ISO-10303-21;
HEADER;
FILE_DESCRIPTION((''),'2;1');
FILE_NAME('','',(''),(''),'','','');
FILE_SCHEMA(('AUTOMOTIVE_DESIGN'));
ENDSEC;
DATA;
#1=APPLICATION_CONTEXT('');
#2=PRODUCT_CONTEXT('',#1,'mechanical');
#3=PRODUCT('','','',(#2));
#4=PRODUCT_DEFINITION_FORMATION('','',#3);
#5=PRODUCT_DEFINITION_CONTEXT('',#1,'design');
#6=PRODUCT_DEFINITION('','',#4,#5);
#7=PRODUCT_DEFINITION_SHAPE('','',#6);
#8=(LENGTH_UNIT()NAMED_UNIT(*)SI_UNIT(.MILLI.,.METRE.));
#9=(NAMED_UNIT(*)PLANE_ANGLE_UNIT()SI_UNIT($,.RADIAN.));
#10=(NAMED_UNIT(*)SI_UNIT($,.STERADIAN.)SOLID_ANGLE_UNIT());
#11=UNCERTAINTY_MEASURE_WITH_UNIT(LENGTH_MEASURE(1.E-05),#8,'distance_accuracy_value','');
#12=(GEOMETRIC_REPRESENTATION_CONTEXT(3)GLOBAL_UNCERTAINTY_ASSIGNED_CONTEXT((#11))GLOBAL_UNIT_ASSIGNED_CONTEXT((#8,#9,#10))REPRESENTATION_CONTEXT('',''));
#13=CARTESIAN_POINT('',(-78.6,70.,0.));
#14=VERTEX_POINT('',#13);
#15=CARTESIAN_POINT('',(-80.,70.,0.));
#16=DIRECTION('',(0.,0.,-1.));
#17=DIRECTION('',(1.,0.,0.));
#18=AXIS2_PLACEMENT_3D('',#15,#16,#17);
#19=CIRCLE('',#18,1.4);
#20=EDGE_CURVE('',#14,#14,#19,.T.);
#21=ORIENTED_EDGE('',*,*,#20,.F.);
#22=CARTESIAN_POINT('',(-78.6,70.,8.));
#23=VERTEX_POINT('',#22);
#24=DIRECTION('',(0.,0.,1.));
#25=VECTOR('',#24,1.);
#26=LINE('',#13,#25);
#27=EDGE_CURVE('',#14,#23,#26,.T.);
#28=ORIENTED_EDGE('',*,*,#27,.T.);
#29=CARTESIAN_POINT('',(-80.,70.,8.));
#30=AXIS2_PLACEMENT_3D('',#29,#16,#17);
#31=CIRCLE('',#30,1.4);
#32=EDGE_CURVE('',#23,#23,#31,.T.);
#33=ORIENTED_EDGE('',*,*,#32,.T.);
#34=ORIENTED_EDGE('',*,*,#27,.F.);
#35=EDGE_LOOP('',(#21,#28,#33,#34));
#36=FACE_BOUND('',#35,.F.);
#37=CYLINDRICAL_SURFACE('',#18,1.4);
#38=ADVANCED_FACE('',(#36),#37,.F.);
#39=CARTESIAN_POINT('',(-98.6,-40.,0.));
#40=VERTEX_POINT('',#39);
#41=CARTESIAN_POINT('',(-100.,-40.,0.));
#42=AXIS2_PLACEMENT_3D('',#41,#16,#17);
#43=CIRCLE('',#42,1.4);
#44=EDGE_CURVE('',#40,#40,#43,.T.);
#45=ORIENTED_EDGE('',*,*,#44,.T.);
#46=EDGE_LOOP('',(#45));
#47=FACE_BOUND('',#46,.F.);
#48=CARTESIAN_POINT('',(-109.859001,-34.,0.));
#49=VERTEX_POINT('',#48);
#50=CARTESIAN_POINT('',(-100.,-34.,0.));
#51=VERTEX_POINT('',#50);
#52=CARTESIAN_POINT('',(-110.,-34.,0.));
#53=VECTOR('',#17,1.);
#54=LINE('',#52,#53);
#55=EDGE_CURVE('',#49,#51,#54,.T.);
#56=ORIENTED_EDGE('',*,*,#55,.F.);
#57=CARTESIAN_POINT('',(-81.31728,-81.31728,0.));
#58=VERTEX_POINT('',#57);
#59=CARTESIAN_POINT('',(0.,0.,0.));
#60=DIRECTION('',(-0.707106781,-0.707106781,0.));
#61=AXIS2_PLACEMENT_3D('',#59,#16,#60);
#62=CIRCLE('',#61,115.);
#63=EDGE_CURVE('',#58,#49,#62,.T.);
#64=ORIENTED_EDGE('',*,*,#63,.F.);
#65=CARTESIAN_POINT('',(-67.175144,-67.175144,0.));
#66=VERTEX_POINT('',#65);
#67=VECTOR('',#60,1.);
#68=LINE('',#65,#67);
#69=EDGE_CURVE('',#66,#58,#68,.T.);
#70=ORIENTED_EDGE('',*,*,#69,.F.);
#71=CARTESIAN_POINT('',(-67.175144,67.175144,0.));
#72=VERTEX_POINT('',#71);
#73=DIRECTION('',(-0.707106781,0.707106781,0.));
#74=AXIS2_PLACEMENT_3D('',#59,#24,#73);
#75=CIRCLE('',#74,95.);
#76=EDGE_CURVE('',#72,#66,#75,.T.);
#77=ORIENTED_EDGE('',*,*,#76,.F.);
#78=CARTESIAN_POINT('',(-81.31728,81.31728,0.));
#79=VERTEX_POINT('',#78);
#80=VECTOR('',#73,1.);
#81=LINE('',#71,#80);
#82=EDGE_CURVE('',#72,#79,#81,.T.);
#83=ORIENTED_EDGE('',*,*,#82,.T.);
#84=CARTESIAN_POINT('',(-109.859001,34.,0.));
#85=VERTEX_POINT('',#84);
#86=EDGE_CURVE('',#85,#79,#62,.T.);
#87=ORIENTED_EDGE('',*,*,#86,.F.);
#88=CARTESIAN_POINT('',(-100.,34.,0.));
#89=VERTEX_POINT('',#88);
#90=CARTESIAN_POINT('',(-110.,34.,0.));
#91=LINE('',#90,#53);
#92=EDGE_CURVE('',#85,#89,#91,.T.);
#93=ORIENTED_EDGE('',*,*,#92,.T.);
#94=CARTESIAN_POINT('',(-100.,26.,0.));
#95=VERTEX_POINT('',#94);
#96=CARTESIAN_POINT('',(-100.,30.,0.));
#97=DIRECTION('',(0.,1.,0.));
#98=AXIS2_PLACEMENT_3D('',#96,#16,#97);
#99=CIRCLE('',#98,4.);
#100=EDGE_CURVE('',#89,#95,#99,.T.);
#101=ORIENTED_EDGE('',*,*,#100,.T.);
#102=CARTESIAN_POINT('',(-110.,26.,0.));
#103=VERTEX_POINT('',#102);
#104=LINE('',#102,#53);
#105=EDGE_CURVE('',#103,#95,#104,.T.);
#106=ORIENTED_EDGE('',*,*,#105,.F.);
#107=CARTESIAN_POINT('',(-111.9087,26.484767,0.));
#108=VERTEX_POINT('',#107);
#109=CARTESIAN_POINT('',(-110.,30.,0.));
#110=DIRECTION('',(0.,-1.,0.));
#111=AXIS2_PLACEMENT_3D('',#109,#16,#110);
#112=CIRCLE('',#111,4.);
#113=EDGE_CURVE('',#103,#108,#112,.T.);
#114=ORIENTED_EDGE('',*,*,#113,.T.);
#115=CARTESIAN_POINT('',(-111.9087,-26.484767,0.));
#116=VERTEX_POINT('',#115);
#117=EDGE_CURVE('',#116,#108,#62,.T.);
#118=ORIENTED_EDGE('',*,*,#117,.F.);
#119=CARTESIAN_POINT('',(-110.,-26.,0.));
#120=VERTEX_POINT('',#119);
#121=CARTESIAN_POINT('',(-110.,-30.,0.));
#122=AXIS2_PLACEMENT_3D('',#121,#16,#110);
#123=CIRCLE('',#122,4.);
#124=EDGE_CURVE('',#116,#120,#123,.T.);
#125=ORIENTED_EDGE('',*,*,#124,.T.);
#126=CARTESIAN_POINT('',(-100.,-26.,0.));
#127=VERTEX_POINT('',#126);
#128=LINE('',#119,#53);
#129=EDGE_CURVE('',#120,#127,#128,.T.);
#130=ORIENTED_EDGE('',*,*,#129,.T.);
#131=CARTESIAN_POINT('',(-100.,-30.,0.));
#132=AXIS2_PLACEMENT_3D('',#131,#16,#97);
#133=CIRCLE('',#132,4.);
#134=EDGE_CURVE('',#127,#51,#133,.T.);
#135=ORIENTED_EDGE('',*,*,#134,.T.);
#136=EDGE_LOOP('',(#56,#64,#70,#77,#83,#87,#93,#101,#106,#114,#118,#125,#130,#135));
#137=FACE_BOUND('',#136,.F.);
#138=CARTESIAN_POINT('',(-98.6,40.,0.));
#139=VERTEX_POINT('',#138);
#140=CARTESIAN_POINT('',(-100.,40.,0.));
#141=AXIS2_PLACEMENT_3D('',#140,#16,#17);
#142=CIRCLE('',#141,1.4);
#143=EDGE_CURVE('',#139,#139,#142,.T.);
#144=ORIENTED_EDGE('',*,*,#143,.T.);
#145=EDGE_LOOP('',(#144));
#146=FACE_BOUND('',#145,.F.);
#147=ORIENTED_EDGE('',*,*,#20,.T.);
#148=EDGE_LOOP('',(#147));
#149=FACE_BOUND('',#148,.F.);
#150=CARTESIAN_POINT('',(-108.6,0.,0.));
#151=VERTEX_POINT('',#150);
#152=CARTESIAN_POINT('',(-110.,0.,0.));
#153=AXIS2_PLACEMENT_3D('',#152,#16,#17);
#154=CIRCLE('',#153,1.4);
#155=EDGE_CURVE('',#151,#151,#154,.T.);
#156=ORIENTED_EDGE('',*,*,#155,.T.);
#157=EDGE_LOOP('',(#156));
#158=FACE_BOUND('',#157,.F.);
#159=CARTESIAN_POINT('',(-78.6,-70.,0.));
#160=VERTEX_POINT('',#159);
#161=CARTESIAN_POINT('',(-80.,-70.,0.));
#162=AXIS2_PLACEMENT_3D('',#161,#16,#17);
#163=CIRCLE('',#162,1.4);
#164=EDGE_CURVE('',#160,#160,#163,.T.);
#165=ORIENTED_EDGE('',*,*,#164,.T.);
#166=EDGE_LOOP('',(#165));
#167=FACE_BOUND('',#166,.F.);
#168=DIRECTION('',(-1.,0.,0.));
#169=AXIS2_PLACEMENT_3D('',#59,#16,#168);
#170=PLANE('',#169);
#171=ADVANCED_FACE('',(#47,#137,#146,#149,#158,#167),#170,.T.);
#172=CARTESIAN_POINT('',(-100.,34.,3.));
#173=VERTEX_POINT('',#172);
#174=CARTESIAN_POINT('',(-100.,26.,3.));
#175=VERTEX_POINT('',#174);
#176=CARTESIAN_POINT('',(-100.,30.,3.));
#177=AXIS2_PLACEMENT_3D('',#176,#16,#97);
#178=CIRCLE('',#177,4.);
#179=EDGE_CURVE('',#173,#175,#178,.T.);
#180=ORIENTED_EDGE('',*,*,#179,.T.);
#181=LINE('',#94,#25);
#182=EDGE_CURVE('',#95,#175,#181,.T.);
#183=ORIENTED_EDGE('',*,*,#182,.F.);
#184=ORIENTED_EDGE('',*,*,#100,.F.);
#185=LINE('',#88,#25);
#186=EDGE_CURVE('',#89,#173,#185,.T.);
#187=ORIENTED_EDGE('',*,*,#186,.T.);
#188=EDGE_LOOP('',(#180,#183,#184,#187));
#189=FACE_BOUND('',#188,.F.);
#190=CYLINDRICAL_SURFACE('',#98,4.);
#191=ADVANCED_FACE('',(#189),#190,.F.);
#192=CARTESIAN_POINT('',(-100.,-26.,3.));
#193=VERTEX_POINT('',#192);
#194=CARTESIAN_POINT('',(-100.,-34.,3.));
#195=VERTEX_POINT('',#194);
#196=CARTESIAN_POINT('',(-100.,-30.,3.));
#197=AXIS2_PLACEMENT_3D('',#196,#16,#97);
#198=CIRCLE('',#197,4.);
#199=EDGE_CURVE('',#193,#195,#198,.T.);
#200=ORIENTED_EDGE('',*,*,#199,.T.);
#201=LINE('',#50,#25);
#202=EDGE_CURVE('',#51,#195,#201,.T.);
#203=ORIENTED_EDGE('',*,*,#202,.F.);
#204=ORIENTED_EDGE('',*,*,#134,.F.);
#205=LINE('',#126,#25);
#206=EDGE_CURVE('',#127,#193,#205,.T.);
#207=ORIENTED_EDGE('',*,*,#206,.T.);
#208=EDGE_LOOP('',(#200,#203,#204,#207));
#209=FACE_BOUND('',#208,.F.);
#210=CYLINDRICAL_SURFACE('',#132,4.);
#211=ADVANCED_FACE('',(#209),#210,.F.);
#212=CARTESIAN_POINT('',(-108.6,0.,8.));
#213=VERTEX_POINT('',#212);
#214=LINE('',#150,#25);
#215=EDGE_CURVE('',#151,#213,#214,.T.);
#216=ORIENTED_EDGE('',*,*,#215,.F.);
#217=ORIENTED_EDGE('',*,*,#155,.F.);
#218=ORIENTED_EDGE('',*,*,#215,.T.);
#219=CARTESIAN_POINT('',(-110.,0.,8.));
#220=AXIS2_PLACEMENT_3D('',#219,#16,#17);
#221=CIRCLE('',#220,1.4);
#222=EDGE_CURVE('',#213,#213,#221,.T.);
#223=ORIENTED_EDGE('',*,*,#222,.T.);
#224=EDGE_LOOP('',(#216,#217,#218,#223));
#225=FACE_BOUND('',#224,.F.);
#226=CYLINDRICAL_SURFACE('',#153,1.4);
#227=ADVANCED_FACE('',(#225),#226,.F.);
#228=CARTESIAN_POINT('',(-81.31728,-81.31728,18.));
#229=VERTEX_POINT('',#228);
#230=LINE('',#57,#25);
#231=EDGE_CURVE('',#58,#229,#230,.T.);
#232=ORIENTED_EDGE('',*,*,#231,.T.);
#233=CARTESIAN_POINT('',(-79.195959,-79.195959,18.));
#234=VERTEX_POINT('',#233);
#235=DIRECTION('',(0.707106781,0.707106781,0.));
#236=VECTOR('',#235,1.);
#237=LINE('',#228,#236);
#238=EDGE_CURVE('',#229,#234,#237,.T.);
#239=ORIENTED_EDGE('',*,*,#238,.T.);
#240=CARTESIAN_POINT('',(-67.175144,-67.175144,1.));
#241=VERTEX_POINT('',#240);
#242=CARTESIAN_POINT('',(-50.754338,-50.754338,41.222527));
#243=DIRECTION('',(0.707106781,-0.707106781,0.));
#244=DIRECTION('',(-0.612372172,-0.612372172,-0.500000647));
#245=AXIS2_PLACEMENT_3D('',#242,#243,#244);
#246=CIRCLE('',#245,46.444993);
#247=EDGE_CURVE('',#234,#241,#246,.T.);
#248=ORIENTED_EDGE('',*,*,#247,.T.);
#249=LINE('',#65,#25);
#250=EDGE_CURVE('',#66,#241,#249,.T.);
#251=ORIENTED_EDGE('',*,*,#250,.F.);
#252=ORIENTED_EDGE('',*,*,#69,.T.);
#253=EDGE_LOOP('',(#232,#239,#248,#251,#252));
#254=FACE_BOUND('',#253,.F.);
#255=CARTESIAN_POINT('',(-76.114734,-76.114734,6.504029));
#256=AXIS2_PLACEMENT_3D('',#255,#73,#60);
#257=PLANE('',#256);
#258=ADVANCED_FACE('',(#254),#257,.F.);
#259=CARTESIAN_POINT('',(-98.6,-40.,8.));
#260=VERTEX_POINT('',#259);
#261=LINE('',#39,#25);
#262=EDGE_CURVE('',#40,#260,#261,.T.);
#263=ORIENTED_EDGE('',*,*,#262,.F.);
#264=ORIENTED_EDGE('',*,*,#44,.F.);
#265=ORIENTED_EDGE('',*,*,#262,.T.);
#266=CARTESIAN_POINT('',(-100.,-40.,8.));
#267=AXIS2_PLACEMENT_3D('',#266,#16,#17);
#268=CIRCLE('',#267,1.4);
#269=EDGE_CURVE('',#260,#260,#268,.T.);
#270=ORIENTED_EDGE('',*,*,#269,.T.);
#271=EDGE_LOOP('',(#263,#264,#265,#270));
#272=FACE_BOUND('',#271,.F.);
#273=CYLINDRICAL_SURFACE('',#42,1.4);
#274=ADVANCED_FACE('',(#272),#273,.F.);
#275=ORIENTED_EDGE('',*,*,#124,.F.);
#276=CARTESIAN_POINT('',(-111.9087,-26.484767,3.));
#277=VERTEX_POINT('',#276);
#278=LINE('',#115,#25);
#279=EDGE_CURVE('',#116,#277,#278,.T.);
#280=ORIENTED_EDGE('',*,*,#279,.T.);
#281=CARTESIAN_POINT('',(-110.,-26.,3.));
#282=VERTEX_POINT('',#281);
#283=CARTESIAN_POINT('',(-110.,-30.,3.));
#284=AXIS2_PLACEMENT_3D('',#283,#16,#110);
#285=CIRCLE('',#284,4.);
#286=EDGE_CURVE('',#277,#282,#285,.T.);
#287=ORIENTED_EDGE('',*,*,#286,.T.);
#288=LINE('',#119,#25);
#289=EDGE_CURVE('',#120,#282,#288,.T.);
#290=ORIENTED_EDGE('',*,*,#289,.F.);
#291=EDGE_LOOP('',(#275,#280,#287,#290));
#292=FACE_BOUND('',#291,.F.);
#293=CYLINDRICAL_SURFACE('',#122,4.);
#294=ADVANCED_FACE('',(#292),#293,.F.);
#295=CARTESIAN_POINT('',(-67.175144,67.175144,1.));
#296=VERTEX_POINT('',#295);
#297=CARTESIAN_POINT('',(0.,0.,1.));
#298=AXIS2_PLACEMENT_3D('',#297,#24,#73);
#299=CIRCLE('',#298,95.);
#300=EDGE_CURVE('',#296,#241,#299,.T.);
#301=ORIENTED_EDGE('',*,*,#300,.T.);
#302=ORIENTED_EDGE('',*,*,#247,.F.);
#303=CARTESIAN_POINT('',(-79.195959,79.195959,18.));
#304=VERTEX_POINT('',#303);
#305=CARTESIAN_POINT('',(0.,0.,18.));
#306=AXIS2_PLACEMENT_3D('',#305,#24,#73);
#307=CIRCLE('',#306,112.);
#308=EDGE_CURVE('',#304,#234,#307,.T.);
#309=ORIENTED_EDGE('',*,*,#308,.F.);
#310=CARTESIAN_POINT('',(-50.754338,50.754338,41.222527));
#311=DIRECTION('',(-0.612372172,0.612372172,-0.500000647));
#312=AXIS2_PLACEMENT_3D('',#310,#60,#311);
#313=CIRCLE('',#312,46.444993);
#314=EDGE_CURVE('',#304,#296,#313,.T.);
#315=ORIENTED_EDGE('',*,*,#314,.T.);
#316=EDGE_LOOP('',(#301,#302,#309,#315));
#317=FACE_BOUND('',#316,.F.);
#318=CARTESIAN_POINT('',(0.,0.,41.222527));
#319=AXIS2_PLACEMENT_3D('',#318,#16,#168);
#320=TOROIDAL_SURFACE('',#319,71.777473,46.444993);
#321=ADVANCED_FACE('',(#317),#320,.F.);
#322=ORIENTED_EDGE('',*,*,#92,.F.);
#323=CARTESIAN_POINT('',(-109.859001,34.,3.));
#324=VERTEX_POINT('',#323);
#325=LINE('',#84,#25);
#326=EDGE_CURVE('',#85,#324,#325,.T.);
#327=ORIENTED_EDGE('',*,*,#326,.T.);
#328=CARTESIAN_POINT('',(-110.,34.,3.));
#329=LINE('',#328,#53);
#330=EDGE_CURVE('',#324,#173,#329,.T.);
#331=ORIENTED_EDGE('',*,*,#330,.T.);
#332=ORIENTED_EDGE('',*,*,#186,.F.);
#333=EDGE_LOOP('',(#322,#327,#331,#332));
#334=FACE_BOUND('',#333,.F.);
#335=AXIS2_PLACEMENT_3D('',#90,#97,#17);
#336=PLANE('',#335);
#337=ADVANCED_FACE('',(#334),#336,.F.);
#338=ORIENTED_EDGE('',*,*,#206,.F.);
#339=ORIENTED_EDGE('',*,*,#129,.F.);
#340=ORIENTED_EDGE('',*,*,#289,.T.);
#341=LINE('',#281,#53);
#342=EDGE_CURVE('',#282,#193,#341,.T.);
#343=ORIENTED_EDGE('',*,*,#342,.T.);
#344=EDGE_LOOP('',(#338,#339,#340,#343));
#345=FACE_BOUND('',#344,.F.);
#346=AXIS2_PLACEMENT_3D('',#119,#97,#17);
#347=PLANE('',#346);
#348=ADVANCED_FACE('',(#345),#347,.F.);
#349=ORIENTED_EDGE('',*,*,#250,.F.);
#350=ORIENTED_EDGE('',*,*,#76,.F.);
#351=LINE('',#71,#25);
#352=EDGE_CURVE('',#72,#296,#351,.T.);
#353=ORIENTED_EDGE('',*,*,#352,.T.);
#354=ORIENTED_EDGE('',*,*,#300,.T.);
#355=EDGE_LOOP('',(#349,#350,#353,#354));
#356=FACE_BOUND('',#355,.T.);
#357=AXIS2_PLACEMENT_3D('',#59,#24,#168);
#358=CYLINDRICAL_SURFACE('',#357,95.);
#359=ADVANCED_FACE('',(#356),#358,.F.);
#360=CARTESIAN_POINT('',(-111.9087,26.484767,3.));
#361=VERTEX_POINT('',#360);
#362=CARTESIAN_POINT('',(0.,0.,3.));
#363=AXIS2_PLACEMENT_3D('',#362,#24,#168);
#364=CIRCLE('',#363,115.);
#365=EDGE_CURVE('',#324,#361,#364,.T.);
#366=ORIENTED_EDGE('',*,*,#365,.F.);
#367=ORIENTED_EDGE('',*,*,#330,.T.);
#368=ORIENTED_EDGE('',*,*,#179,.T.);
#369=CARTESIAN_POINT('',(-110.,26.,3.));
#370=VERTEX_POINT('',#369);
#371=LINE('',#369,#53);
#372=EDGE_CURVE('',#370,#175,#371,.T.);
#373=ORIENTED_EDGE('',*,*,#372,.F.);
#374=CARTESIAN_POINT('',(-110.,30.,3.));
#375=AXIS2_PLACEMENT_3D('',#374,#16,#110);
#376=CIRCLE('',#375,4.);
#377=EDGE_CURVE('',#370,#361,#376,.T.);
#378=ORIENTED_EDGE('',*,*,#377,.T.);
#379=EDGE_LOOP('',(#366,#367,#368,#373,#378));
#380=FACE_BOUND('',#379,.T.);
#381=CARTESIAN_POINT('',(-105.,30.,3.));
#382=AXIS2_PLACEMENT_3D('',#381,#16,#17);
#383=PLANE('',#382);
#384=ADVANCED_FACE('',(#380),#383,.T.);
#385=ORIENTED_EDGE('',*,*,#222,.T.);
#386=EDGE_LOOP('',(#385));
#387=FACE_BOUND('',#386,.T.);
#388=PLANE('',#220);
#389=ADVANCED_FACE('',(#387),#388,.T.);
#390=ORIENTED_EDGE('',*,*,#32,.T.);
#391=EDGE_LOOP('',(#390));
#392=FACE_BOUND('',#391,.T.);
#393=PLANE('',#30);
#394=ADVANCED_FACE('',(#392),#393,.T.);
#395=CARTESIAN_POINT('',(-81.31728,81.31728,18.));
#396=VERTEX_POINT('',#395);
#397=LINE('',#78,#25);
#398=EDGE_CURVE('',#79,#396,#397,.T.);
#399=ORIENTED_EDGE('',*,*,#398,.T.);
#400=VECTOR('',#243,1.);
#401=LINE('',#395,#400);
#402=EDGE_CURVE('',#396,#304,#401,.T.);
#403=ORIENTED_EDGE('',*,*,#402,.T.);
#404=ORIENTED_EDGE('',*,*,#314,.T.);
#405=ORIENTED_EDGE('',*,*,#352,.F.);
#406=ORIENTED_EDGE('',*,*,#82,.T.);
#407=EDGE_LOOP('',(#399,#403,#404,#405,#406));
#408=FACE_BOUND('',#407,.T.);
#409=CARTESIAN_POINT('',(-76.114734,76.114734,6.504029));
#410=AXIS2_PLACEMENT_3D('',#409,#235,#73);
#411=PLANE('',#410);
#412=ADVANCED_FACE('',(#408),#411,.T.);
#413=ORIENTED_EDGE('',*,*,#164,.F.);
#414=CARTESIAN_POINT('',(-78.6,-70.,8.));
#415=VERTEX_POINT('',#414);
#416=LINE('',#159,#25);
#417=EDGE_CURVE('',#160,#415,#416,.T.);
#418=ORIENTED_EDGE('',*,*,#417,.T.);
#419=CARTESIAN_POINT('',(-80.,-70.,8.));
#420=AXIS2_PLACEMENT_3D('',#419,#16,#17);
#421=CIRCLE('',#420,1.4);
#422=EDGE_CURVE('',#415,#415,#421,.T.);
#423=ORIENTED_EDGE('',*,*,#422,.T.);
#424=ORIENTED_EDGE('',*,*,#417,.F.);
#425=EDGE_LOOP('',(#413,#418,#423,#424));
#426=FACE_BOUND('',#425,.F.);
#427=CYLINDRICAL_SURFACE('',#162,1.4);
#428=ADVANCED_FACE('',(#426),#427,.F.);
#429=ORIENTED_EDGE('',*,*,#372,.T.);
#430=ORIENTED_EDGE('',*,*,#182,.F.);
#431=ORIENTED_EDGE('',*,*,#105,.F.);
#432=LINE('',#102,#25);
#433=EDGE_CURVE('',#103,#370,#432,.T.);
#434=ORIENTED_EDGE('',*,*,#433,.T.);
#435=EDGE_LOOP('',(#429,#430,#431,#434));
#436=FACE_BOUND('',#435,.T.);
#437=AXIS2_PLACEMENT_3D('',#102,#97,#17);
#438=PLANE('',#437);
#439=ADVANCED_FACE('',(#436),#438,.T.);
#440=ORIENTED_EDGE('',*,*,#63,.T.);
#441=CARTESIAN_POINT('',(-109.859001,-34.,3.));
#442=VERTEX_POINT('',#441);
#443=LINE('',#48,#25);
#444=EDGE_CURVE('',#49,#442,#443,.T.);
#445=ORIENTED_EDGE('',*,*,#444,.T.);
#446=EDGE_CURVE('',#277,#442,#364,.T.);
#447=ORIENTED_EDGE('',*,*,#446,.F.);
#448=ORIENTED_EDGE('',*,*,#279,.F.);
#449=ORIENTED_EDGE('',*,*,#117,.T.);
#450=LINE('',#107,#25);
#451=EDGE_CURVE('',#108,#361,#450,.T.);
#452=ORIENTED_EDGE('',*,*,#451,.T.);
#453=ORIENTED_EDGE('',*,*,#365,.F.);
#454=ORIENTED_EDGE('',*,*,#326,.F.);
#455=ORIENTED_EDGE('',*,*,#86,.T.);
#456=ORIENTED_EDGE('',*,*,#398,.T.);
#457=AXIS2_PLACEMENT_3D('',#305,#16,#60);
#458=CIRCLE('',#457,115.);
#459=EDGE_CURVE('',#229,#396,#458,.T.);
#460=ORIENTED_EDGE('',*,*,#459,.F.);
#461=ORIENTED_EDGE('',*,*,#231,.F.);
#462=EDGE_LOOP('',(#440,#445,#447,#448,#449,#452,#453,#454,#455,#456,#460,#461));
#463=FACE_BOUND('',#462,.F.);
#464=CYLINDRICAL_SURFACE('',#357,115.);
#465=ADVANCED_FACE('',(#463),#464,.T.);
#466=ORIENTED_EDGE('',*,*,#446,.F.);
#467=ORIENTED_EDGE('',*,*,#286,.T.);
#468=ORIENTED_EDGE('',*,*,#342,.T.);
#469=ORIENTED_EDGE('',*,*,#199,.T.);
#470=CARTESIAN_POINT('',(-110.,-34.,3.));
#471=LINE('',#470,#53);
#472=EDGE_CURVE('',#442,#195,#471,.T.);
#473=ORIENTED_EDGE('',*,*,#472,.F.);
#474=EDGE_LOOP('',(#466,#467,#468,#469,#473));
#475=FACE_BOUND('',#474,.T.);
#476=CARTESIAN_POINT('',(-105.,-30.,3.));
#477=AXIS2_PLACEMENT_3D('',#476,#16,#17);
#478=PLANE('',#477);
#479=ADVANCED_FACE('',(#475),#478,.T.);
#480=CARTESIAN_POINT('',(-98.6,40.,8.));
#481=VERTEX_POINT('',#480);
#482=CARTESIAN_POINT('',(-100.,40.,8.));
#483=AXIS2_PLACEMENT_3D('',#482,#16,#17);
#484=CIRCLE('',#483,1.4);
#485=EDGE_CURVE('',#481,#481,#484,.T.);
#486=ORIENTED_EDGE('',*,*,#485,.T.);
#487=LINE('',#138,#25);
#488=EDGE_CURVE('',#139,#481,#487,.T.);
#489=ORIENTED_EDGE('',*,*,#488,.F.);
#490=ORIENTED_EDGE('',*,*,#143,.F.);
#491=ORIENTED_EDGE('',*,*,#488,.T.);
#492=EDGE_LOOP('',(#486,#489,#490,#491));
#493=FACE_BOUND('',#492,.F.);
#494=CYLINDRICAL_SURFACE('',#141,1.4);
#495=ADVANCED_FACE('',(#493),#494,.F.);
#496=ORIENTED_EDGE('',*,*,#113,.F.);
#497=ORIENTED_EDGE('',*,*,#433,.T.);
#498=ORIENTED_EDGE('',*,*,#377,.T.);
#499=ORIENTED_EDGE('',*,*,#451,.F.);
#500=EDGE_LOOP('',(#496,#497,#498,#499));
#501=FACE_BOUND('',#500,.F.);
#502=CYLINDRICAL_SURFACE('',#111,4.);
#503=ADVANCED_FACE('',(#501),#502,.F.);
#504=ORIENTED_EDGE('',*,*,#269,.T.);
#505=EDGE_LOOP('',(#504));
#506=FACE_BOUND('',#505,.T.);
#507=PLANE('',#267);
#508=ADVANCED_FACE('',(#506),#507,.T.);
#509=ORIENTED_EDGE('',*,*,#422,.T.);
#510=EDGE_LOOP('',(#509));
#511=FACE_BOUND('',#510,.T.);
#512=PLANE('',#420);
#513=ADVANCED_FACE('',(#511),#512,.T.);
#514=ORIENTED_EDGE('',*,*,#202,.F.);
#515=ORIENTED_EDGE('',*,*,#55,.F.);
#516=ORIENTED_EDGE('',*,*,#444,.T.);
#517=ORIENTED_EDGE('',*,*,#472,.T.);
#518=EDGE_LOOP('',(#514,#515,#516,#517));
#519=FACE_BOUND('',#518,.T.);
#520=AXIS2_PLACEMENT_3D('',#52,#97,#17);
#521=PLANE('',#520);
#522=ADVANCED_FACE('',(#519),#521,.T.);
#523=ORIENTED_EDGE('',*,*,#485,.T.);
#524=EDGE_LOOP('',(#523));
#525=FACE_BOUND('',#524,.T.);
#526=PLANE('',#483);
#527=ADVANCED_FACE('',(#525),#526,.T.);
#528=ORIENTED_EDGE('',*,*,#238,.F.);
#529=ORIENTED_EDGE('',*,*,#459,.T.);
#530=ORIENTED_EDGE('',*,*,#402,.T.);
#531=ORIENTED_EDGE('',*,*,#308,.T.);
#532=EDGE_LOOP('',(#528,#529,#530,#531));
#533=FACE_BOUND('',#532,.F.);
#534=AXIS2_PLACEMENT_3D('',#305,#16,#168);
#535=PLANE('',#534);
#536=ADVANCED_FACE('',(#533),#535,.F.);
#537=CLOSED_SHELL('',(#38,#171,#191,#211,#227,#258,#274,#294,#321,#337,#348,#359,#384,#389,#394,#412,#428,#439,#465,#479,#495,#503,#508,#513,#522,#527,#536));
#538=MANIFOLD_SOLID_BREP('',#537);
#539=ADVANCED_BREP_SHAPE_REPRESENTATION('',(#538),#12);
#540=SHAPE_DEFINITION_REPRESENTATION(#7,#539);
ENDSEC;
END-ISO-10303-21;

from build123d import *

# Parameters (mm, degrees)
REVOLUTION_ANGLE = 90
POCKET_DEPTH     = 3
SKETCH002_R      = 1.4
POCKET001_DEPTH  = 8


with BuildPart() as part:
    # Sketch → Revolution (revolve, symmetric)
    with BuildSketch(Plane.XZ) as revolution_sk:
        with BuildLine():
            Line((-95, 0), (-115, 0))
            Line((-115, 0), (-115, 18))
            Line((-115, 18), (-112, 18))
            ThreePointArc((-112, 18), (-104.619043, 8.380957), (-95, 1))
            Line((-95, 0), (-95, 1))
        make_face()
    revolve(axis=Axis((0, 0, 0), (0, 0, 1)), revolution_arc=REVOLUTION_ANGLE / 2)
    revolve(revolution_sk.sketch, axis=Axis((0, 0, 0), (0, 0, -1)), revolution_arc=REVOLUTION_ANGLE / 2)

    # Sketch001 (on Face1 of Revolution) → Pocket (cut)
    with BuildSketch(Plane(origin=(0, 0, 0), x_dir=(1, 0, 0), z_dir=(0, 0, -1))):
        with BuildLine():
            ThreePointArc((-110, 34), (-114, 30), (-110, 26))
            Line((-110, 26), (-100, 26))
            ThreePointArc((-100, 26), (-96, 30), (-100, 34))
            Line((-110, 34), (-100, 34))
        make_face()
        with BuildLine():
            ThreePointArc((-110, -26), (-114, -30), (-110, -34))
            Line((-110, -34), (-100, -34))
            ThreePointArc((-100, -34), (-96, -30), (-100, -26))
            Line((-110, -26), (-100, -26))
        make_face()
    extrude(amount=-POCKET_DEPTH, mode=Mode.SUBTRACT)

    # Sketch002 (on Face1 of Pocket) → Pocket001 (cut)
    with BuildSketch(Plane(origin=(0, 0, 0), x_dir=(1, 0, 0), z_dir=(0, 0, -1))):
        with Locations((-80, 70)):
            Circle(SKETCH002_R)
        with Locations((-80, -70)):
            Circle(SKETCH002_R)
        with Locations((-110, 0)):
            Circle(SKETCH002_R)
        with Locations((-100, -40)):
            Circle(SKETCH002_R)
        with Locations((-100, 40)):
            Circle(SKETCH002_R)
    extrude(amount=-POCKET001_DEPTH, mode=Mode.SUBTRACT)


solid = part.part
